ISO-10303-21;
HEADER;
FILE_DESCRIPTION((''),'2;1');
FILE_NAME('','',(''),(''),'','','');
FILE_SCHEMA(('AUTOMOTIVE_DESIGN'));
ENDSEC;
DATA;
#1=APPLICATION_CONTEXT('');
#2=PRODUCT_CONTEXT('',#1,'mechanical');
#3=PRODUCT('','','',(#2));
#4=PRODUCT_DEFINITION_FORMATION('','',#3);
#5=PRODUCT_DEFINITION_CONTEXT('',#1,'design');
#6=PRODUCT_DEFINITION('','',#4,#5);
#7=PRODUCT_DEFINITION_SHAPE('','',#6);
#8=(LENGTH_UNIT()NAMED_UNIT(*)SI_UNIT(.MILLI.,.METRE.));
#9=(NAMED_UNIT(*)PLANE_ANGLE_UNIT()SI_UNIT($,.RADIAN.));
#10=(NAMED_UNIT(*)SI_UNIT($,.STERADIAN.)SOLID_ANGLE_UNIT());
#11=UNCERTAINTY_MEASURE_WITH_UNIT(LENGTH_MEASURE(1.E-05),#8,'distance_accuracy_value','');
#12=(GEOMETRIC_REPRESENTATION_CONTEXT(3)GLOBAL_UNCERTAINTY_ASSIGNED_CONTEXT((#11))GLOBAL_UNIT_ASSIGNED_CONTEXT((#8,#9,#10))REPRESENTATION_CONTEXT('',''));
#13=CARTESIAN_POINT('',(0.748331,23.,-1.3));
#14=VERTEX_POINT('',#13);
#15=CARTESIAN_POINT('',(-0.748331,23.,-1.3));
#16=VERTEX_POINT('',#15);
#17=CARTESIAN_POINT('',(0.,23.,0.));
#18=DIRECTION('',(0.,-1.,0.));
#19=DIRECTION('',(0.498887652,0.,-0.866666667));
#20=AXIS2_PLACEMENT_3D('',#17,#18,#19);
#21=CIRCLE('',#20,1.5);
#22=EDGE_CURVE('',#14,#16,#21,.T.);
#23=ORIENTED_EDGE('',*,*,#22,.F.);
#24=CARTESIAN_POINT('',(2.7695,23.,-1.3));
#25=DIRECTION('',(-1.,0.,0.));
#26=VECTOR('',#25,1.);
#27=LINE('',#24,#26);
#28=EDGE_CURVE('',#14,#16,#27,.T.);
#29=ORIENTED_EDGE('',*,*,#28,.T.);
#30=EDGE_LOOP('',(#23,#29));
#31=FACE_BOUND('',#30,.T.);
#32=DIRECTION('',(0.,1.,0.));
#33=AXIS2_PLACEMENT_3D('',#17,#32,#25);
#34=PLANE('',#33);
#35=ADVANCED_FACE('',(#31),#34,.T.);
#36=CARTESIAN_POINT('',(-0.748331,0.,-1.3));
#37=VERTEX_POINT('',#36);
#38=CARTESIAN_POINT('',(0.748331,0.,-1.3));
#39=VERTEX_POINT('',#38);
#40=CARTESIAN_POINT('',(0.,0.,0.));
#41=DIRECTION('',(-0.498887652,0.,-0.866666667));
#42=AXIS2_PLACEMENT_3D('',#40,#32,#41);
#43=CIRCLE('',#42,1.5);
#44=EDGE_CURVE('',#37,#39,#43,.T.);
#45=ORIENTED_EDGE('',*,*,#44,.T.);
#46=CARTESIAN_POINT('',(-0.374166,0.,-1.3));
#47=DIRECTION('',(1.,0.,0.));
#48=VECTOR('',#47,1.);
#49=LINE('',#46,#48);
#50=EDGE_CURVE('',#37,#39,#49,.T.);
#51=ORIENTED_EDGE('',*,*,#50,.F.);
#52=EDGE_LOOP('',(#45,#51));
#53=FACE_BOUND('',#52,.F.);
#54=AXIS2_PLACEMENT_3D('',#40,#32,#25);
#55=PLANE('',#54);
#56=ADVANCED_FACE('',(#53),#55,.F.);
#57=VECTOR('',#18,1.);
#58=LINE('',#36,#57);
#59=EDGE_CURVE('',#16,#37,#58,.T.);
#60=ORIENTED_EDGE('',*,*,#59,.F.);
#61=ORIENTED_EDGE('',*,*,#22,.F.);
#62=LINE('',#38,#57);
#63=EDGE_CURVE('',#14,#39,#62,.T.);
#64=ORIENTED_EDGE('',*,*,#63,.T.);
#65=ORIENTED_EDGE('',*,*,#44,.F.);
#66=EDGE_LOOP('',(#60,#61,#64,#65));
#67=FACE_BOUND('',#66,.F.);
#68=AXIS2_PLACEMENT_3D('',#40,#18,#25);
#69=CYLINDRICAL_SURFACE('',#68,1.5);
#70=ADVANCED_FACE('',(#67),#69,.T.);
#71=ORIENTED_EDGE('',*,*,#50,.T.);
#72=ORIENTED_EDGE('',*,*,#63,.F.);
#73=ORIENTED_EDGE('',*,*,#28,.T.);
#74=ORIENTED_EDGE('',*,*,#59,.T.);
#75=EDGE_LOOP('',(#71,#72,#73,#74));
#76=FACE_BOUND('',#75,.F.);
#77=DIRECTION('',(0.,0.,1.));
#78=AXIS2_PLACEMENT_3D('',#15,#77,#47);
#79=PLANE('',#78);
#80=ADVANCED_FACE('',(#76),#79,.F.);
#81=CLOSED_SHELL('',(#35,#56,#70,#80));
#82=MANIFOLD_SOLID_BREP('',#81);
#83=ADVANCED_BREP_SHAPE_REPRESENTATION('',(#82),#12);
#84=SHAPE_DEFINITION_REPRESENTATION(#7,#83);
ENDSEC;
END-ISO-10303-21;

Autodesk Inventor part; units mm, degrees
ref_plane "YZ Plane" through (0, 0, 0) normal (1, 0, 0) x (0, 1, 0)
ref_plane "XZ Plane" through (0, 0, 0) normal (0, 1, 0) x (-1, 0, 0)
ref_plane "XY Plane" through (0, 0, 0) normal (0, 0, 1) x (1, 0, 0)
sketch "Sketch1" plane through (0, 0, 0) normal (0, 1, 0) x (-1, 0, 0)
  circle A0 centre (0, 0) radius 1.5
  dimension "d0" = 3
extrude "Extrusion1" add sketch "Sketch1" along normal blind 23
sketch "Sketch2" plane through (0, 23, 0) normal (0, 1, 0) x (1, 0, 0)
  circle A0 centre (0, 0) radius 1.5 projected
  line L0 (-1.5, 1.3) -> (2.7695, 1.3)
  line L1 (2.7695, 1.3) -> (2.7695, 3.2268)
  line L2 (2.7695, 3.2268) -> (-1.5, 3.2268)
  line L3 (-1.5, 3.2268) -> (-1.5, 1.3)
  dimension "d3" = 1.3
extrude "Extrusion2" cut sketch "Sketch2" along normal through all both and the other way through all contours L0 A0 | A0 L0 L3 L2 L1 picked at (-0.1541, 1.3423)
properties part number "307-320" material "Aluminum 6061"
